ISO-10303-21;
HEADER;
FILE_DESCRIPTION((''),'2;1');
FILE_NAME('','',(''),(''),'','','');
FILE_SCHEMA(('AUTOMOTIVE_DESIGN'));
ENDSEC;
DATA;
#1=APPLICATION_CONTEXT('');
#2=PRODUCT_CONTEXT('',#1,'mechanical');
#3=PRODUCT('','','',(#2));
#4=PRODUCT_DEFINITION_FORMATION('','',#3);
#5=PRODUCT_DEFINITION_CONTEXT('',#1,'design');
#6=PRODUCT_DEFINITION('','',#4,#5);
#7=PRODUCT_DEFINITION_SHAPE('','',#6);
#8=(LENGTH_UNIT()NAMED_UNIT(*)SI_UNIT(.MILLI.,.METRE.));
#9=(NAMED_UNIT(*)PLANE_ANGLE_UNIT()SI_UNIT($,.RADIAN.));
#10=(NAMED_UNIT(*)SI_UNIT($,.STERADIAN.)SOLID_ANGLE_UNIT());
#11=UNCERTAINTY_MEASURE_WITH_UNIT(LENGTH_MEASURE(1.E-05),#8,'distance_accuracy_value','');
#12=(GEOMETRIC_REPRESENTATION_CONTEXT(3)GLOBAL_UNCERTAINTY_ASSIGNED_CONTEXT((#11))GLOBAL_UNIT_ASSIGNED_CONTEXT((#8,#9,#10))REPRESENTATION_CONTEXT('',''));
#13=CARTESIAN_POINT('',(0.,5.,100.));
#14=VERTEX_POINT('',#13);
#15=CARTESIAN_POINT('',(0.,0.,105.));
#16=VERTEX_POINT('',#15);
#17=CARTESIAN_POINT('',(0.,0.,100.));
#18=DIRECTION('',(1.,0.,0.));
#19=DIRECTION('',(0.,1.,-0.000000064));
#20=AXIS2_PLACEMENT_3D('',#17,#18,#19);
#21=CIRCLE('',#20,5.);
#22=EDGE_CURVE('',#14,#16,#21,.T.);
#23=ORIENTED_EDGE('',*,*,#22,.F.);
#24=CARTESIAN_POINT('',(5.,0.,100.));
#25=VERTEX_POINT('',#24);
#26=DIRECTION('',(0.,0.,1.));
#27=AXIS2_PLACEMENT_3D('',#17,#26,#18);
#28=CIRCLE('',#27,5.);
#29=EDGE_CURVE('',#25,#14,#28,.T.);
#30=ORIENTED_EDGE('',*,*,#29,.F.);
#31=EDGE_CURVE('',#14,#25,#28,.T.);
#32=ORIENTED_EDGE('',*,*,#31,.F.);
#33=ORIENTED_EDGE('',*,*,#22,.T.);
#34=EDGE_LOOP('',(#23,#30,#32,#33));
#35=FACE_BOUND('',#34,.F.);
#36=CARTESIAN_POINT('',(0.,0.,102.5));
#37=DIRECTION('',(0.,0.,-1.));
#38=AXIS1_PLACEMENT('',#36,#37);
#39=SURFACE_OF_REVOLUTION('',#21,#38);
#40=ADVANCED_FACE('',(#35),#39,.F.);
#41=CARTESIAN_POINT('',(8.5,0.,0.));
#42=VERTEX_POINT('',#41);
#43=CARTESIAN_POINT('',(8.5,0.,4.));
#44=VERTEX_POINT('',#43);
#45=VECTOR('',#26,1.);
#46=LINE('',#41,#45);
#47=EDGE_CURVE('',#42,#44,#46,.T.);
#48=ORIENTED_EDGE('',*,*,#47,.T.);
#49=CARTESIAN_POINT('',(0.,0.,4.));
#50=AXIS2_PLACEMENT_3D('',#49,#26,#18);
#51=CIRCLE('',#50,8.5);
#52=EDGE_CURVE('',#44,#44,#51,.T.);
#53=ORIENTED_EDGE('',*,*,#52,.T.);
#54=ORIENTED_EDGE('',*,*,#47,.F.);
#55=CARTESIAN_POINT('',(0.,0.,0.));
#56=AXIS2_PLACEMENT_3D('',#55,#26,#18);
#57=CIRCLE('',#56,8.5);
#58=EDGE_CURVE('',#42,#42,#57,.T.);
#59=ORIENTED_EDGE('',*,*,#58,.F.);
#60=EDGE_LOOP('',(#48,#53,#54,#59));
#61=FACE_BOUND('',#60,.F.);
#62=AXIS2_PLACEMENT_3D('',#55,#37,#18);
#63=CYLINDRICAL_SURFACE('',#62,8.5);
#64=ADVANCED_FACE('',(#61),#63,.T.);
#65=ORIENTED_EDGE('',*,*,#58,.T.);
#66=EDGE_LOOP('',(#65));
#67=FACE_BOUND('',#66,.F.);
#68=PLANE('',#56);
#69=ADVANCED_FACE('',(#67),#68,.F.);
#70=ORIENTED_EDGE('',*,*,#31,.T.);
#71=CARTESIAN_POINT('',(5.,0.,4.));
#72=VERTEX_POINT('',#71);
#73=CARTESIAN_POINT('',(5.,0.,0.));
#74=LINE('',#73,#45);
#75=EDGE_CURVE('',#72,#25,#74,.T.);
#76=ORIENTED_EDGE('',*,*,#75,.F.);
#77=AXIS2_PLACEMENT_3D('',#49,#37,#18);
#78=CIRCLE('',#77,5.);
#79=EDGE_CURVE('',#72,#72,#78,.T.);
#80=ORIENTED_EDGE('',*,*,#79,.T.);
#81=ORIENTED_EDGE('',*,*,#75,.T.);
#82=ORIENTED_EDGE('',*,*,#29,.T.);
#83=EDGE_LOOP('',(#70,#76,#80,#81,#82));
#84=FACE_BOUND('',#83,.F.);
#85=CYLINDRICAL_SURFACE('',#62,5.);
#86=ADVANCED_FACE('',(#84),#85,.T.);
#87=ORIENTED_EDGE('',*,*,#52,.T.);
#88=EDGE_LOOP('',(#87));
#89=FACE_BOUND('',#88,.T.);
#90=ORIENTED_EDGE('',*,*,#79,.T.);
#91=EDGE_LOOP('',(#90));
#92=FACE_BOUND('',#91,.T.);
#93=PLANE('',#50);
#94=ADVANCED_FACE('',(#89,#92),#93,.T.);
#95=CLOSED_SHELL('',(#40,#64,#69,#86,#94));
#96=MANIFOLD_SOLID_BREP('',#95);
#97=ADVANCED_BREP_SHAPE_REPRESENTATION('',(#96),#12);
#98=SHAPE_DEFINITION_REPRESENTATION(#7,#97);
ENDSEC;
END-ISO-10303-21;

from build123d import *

# Parameters (mm, degrees)
F0_R     = 8.5
F1_DEPTH = 4
F2_R     = 5
F3_DEPTH = 100


with BuildPart() as f1:
    # F0 (on Top) → F1 (new body)
    with BuildSketch(Plane.XY):
        Circle(F0_R)
    extrude(amount=F1_DEPTH)

    # F2 (on Top) → F3 (join)
    with BuildSketch(Plane.XY):
        Circle(F2_R)
    extrude(amount=F3_DEPTH)

    # F4 (on Right) → F5 (revolve)
    with BuildSketch(Plane.YZ):
        with BuildLine():
            Line((0, 100), (5, 100))
            ThreePointArc((5, 100), (3.535534, 103.535534), (0, 105))
            Line((0, 105), (0, 100))
        make_face()
    revolve(axis=Axis((0, 0, 102.5), (0, 0, -1)))


solid = f1.part
